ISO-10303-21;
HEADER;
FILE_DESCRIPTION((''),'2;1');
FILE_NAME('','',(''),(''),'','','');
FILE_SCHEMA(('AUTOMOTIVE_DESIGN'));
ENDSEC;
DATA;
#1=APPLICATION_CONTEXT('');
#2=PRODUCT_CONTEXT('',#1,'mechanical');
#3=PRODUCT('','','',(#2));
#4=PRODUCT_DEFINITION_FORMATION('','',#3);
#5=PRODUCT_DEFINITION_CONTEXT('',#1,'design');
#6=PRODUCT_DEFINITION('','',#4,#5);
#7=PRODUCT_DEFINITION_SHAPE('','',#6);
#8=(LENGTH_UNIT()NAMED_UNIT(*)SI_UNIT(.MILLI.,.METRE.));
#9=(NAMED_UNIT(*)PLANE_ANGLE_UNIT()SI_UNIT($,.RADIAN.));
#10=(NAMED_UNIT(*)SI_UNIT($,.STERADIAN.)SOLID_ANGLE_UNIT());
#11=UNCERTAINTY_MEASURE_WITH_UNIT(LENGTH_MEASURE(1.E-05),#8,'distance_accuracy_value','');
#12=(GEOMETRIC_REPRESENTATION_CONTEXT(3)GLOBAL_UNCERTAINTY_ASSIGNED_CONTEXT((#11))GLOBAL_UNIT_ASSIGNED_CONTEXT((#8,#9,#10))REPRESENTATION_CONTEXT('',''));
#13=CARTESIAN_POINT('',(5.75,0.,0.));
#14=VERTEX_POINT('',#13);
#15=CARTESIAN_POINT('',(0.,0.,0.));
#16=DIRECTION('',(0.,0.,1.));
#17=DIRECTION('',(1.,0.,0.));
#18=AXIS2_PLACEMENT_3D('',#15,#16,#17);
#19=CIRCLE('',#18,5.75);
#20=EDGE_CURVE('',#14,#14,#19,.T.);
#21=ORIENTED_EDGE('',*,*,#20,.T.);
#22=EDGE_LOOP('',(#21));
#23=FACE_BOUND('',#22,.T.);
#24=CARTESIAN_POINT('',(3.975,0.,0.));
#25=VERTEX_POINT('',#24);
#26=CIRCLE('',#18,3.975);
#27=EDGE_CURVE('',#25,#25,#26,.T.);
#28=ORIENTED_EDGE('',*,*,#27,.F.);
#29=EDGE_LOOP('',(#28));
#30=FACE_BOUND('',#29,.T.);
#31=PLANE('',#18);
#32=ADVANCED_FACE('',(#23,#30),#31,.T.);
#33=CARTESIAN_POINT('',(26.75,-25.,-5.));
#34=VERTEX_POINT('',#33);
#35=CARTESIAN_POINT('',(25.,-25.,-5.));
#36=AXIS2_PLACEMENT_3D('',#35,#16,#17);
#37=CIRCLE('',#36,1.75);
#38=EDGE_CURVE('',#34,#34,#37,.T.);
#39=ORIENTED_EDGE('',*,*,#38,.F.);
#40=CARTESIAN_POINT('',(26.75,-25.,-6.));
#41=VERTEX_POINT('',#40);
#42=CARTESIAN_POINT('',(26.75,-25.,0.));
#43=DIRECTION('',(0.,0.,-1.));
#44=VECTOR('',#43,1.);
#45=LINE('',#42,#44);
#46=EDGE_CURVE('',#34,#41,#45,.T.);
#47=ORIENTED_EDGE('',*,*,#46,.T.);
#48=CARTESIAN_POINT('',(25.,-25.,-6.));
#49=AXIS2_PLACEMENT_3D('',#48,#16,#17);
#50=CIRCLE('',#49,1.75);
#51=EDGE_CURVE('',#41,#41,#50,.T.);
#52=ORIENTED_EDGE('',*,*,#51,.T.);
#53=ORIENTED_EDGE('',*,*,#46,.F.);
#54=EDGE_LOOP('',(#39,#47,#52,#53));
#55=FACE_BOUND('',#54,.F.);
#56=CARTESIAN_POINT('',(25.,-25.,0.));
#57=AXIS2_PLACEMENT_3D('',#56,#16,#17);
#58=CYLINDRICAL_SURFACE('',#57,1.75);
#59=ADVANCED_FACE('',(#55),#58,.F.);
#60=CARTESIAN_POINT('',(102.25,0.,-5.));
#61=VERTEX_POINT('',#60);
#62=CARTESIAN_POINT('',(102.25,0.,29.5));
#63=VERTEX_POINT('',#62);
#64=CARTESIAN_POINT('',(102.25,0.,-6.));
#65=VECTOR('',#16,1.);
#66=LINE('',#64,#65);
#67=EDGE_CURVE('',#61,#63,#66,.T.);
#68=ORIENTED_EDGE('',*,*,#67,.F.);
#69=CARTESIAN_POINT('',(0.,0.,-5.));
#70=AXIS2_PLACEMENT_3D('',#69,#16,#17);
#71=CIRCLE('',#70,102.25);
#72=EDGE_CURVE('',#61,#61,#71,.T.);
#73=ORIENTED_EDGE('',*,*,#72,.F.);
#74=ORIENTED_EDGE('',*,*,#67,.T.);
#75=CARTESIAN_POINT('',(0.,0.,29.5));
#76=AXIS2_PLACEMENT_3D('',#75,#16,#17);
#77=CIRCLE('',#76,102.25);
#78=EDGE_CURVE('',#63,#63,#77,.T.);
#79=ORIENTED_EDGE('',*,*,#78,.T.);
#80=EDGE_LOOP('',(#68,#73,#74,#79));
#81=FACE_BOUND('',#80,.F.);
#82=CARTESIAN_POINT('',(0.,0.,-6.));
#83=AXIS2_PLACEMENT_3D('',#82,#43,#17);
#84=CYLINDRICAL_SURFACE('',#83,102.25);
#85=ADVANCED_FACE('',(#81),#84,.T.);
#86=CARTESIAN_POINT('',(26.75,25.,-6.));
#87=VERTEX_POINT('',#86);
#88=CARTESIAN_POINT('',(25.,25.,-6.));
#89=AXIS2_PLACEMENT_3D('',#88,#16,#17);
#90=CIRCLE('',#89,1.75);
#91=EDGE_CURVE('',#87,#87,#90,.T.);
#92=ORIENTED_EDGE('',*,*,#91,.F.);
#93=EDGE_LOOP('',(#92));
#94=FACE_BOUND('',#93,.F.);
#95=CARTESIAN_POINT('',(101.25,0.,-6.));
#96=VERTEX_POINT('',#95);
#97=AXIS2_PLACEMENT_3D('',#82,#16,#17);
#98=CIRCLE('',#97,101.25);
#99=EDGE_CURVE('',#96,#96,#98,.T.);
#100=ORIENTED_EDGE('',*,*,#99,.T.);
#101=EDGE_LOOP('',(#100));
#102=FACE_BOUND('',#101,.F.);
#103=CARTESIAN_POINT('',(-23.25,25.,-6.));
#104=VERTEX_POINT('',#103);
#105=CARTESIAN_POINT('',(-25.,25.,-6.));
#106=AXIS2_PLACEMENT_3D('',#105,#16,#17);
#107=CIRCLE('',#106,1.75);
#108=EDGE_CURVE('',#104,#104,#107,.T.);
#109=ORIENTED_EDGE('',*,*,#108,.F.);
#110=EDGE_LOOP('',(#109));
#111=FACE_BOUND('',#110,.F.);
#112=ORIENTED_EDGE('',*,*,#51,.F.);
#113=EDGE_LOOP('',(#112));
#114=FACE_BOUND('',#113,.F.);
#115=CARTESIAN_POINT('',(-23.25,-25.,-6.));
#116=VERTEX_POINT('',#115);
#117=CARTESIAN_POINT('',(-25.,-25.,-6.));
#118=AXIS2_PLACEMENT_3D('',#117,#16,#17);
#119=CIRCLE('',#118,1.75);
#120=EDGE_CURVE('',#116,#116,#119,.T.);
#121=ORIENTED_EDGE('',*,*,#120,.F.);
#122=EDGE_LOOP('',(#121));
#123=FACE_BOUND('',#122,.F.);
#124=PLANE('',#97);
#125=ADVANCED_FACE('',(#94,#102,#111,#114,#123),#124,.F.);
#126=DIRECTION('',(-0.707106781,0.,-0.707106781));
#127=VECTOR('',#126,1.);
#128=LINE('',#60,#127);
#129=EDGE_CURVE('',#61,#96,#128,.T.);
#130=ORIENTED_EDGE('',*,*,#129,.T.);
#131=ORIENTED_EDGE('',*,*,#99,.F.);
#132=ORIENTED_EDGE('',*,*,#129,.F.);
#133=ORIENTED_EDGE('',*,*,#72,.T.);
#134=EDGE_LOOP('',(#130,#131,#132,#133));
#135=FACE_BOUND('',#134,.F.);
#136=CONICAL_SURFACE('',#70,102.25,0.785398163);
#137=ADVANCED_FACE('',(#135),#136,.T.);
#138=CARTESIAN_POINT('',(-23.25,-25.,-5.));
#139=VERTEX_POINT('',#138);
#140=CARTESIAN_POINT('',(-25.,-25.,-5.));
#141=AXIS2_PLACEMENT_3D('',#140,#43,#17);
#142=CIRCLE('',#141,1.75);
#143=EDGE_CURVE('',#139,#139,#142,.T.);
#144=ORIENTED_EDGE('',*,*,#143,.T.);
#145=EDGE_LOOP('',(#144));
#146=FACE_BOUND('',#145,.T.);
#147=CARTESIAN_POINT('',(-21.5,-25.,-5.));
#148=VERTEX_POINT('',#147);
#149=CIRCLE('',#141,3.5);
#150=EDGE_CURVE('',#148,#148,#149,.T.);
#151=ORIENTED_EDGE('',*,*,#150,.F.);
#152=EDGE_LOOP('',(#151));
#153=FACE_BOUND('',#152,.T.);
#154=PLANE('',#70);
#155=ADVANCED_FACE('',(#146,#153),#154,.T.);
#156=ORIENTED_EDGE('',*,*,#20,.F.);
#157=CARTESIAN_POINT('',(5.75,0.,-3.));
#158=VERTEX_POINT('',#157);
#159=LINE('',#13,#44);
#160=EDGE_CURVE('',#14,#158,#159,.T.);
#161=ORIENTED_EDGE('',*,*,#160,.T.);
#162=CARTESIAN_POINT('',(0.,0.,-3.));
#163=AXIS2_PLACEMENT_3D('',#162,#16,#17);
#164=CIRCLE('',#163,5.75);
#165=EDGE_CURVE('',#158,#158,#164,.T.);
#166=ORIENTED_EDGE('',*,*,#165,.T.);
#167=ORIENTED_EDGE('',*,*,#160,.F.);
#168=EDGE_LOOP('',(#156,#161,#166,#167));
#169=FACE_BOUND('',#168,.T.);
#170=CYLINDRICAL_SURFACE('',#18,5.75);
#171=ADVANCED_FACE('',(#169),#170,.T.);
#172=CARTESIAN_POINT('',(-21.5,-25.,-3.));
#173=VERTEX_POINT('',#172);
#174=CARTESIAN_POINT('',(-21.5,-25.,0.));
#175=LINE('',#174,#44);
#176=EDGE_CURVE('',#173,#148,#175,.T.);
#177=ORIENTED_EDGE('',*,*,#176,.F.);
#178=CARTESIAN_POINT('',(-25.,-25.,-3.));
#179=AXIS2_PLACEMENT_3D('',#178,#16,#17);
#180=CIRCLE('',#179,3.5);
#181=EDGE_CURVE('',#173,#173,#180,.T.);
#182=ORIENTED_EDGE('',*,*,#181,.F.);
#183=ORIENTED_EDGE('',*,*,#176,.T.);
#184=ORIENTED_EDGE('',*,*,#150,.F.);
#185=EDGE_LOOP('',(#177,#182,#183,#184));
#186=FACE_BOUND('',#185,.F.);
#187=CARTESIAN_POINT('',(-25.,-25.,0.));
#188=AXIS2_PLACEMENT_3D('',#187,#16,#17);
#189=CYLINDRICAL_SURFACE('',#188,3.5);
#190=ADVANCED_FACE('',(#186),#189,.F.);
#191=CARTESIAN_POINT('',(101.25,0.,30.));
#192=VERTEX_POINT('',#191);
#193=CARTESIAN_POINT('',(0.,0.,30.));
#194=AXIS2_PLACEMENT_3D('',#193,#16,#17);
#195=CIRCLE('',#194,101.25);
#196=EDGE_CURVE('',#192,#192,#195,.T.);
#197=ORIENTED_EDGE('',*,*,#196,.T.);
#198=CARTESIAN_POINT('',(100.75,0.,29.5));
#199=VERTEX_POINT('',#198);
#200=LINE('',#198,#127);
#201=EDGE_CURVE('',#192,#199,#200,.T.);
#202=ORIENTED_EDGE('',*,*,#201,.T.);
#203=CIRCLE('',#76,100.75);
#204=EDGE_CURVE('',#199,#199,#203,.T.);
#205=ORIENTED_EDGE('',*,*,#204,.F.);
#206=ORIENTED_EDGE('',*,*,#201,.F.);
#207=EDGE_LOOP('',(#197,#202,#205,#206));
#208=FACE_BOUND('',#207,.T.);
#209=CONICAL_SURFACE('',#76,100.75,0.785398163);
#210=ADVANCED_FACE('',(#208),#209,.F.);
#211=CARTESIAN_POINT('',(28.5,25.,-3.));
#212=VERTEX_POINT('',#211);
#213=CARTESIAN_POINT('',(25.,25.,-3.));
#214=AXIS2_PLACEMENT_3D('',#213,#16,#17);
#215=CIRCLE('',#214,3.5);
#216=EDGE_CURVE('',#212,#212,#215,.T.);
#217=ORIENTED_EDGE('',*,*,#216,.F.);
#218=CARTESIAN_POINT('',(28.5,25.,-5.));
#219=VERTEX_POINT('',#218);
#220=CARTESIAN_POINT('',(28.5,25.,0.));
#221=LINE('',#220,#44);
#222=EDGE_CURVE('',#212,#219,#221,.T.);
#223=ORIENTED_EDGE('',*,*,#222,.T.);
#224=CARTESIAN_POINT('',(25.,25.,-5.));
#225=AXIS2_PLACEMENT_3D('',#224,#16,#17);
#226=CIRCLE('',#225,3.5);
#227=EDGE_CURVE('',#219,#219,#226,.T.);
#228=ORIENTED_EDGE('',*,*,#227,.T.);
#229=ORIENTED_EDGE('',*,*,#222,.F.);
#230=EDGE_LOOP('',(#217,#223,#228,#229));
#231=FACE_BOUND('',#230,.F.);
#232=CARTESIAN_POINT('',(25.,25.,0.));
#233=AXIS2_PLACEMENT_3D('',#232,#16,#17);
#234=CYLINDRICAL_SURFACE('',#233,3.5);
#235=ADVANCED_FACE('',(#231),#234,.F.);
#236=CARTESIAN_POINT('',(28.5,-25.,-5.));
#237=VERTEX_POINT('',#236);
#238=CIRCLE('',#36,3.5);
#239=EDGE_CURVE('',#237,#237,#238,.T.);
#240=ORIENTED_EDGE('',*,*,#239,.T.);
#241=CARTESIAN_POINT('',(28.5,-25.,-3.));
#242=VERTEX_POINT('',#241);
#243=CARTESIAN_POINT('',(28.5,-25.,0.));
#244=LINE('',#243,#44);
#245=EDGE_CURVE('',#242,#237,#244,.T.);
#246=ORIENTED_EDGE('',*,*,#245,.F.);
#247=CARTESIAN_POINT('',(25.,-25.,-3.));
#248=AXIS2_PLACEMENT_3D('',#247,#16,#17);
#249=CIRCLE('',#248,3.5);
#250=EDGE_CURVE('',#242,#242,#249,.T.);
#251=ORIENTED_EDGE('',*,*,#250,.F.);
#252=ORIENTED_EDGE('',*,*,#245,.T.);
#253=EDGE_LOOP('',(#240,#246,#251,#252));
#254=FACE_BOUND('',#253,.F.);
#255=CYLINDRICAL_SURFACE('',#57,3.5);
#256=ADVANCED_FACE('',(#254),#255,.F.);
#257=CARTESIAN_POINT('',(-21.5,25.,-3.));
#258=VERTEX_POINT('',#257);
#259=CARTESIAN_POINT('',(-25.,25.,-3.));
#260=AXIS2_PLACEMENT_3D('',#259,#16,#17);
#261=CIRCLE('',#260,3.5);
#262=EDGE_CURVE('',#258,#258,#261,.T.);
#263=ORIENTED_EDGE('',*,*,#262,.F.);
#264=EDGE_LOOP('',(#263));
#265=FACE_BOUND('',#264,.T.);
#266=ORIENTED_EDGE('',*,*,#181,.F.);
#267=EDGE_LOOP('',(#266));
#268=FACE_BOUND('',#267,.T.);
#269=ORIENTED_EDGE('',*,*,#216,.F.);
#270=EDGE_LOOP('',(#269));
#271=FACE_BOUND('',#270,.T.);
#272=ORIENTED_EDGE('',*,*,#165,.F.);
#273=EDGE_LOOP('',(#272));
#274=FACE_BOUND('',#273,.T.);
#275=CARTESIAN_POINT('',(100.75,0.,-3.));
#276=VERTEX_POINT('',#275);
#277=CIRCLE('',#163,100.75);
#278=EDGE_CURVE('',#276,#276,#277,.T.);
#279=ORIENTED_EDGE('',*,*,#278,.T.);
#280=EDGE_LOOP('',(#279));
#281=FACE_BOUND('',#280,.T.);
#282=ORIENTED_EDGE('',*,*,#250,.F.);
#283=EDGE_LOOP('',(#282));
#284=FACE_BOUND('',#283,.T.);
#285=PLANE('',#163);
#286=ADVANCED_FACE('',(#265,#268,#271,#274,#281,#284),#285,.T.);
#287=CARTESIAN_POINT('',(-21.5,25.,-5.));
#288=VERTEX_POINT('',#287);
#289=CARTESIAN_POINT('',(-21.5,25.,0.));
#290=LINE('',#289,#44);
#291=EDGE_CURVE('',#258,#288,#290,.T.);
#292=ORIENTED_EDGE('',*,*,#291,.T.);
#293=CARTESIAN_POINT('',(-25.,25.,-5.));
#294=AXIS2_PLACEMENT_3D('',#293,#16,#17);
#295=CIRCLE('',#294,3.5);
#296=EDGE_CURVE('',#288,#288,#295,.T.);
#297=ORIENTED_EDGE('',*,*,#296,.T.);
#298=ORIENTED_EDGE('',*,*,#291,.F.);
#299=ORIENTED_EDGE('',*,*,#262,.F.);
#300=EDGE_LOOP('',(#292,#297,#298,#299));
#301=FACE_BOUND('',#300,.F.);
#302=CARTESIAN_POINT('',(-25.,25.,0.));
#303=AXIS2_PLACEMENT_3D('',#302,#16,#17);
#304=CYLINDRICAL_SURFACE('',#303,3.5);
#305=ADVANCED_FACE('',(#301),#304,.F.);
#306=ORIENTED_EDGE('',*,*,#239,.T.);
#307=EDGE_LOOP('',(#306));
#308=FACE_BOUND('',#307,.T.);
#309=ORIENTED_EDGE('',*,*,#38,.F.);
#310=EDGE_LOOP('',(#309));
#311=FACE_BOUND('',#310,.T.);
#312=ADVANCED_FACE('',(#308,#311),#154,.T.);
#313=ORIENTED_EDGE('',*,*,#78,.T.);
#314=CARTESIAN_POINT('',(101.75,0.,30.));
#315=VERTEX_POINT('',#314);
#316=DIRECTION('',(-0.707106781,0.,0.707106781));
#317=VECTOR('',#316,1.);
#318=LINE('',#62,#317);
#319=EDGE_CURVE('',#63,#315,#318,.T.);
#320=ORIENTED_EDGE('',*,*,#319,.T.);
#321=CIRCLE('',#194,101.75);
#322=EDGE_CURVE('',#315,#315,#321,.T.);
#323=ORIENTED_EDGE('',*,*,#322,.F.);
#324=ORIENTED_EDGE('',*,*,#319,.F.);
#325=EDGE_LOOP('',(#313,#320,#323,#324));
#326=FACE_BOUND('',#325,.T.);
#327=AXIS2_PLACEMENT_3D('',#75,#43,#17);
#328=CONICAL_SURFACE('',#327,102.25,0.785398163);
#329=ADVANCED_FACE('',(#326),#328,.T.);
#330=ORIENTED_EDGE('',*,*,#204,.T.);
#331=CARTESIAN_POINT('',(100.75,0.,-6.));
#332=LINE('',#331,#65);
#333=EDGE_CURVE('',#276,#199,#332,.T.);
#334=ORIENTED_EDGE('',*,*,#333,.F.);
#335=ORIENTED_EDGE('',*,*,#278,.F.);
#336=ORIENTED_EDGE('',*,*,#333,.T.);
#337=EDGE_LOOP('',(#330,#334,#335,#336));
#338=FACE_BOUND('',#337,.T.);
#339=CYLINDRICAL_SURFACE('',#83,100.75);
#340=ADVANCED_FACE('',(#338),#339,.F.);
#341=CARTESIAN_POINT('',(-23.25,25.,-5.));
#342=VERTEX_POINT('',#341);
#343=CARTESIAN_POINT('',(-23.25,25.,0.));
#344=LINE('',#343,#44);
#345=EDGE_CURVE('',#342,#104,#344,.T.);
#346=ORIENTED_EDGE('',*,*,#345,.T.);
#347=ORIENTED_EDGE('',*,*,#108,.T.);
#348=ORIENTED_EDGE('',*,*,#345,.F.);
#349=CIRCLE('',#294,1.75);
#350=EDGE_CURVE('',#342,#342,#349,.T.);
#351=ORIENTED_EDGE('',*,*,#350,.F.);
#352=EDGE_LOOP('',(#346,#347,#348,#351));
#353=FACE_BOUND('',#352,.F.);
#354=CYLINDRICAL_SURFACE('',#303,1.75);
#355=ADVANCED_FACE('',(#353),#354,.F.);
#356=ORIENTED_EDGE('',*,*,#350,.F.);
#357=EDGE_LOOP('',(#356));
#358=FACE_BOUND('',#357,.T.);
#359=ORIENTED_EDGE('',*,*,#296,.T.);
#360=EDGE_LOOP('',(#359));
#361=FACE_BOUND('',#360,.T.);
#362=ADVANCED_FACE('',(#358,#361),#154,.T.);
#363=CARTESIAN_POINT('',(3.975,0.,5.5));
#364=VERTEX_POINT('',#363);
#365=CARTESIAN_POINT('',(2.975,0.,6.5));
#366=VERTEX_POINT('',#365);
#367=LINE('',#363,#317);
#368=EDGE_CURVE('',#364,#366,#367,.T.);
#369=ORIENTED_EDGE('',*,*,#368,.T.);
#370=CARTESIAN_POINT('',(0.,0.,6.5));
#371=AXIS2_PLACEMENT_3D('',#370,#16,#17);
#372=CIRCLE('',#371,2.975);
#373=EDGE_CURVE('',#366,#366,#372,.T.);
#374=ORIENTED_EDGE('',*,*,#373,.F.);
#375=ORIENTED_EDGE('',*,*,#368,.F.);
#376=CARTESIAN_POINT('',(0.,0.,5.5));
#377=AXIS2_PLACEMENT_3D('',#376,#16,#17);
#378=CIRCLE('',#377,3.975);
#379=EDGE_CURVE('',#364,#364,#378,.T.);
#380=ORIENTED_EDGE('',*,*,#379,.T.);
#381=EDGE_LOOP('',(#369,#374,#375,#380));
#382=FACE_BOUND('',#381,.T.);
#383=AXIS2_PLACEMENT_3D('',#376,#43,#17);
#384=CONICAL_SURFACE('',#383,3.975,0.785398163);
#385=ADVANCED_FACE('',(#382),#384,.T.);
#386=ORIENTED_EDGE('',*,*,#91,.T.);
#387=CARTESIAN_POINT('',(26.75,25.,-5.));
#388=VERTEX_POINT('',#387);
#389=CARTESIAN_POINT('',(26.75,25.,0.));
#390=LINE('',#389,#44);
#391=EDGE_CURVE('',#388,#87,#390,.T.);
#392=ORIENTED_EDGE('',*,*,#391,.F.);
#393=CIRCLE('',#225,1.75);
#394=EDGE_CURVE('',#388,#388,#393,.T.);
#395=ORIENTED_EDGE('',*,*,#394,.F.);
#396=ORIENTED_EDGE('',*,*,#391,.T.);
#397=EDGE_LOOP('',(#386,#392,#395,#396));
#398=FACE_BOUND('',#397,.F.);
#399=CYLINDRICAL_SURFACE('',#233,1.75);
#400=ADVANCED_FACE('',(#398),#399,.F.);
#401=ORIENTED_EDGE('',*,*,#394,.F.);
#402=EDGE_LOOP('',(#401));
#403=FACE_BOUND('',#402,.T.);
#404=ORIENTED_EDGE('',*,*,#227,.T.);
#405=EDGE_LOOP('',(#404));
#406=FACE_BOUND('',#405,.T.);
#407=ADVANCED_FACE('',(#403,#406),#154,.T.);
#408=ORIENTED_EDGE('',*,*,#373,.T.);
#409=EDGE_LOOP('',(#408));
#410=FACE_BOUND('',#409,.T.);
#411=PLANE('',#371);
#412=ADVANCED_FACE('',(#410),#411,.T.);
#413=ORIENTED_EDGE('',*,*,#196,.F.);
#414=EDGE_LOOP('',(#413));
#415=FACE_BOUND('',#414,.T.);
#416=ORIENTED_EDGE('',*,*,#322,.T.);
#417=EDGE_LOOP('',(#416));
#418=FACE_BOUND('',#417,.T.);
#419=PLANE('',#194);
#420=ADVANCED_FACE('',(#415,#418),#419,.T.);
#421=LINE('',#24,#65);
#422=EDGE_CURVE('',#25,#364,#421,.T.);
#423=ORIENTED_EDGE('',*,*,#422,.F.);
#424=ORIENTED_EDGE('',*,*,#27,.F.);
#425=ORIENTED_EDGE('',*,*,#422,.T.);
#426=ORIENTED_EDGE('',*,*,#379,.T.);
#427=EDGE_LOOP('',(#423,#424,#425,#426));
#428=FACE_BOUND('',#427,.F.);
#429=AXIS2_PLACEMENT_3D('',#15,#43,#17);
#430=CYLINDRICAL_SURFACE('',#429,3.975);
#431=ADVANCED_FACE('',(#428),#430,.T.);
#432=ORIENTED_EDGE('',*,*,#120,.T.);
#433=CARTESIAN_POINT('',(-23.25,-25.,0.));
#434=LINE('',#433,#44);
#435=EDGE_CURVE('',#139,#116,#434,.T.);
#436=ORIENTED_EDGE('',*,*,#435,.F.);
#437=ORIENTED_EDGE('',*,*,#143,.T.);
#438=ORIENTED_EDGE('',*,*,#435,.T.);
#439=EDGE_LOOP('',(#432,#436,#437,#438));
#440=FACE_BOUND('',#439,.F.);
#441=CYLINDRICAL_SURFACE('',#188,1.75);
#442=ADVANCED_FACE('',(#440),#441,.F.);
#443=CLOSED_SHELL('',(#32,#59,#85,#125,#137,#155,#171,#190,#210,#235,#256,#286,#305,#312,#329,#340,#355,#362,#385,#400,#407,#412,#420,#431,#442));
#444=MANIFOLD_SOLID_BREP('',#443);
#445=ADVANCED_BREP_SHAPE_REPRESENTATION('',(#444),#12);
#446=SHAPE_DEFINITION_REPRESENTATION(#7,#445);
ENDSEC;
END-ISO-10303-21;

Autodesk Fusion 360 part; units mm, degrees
sketch "Sketch1" plane through (0, 0, 0) normal (0, 0, 1) x (1, 0, 0)
  circle A0 centre (0, 0) radius 5.75
  circle A1 centre (0, 0) radius 100.75
  circle A2 centre (0, 0) radius 3.975
  circle A3 centre (0, 0) radius 102.25
  line L0 (-25, -25) -> (25, -25)
  line L1 (25, -25) -> (25, 25)
  line L2 (25, 25) -> (-25, 25)
  line L3 (-25, 25) -> (-25, -25)
  line L4 (-25, -25) -> (25, 25) construction
  line L5 (25, -25) -> (-25, 25) construction
  circle A4 centre (25, -25) radius 3.5
  circle A5 centre (-25, -25) radius 3.5
  circle A6 centre (25, 25) radius 3.5
  circle A7 centre (-25, 25) radius 3.5
  circle A8 centre (-25, -25) radius 1.75
  circle A9 centre (-25, 25) radius 1.75
  circle A10 centre (25, 25) radius 1.75
  circle A11 centre (25, -25) radius 1.75
  dimension "d1" = 11.5
  dimension "d2" = 201.5
  dimension "d3" = 7.95
  dimension "d11" = 204.5
  dimension "d24" = 50
  dimension "d25" = 50
  dimension "d26" = 7
  dimension "d27" = 7
  dimension "d28" = 7
  dimension "d29" = 7
  dimension "d30" = 3.5
  dimension "d31" = 3.5
  dimension "d32" = 3.5
  dimension "d33" = 3.5
extrude "Extrude1" add sketch "Sketch1" along normal blind 6.5 contours A2
extrude "Extrude2" add sketch "Sketch1" against normal blind 3 contours A0 | A2
extrude "Extrude3" add sketch "Sketch1" against normal blind 3 from surface at -3 contours A0 | A1 | A2 | L0 L3 A8 | L0 L3 A8 | L0 L3 A5 A8 | L0 L3 A5 A8 | L0 L1 L2 L3 A4 A5 A6 A7 | L0 L1 A4 A11 | L0 L1 A4 A11 | L2 L3 A7 A9 | L2 L3 A7 A9 | L0 L1 A11 | L0 L1 A11 | L2 L3 A9 | L2 L3 A9 | L1 L2 A6 A10 | L1 L2 A6 A10 | L1 L2 A10 | L1 L2 A10
extrude "Extrude4" add sketch "Sketch1" along normal blind 68 from surface at -6 contours A3
chamfer "Chamfer1" distance 1 angle 45 1 edges at (-3.706, -1.4374, 6.5)
chamfer "Chamfer2" distance 0.5 angle 45 2 edges at (-95.3305, -36.9752, 62) (-93.932, 36.4328, 62)
chamfer "Chamfer3" distance 1 angle 45 1 edges at (-95.3305, -36.9752, -6)
extrude "Extrude6" cut sketch "Sketch1" against normal blind 15 contours L0 L3 A8 | L0 L3 A8 | L0 L1 A11 | L0 L1 A11 | L2 L3 A9 | L2 L3 A9 | L1 L2 A10 | L1 L2 A10
extrude "Extrude7" cut sketch "Sketch1" against normal blind 5 contours L0 L3 A5 A8 | L0 L3 A5 A8 | L0 L1 A4 A11 | L0 L1 A4 A11 | L2 L3 A7 A9 | L2 L3 A7 A9 | L1 L2 A6 A10 | L1 L2 A6 A10
extrude "Extrude9" cut sketch "Sketch1" along normal blind 45 from surface at 30 contours A3
chamfer "Chamfer4" distance 0.5 angle 45 2 edges at (-93.932, -36.4328, 30) (-95.3305, 36.9752, 30)
